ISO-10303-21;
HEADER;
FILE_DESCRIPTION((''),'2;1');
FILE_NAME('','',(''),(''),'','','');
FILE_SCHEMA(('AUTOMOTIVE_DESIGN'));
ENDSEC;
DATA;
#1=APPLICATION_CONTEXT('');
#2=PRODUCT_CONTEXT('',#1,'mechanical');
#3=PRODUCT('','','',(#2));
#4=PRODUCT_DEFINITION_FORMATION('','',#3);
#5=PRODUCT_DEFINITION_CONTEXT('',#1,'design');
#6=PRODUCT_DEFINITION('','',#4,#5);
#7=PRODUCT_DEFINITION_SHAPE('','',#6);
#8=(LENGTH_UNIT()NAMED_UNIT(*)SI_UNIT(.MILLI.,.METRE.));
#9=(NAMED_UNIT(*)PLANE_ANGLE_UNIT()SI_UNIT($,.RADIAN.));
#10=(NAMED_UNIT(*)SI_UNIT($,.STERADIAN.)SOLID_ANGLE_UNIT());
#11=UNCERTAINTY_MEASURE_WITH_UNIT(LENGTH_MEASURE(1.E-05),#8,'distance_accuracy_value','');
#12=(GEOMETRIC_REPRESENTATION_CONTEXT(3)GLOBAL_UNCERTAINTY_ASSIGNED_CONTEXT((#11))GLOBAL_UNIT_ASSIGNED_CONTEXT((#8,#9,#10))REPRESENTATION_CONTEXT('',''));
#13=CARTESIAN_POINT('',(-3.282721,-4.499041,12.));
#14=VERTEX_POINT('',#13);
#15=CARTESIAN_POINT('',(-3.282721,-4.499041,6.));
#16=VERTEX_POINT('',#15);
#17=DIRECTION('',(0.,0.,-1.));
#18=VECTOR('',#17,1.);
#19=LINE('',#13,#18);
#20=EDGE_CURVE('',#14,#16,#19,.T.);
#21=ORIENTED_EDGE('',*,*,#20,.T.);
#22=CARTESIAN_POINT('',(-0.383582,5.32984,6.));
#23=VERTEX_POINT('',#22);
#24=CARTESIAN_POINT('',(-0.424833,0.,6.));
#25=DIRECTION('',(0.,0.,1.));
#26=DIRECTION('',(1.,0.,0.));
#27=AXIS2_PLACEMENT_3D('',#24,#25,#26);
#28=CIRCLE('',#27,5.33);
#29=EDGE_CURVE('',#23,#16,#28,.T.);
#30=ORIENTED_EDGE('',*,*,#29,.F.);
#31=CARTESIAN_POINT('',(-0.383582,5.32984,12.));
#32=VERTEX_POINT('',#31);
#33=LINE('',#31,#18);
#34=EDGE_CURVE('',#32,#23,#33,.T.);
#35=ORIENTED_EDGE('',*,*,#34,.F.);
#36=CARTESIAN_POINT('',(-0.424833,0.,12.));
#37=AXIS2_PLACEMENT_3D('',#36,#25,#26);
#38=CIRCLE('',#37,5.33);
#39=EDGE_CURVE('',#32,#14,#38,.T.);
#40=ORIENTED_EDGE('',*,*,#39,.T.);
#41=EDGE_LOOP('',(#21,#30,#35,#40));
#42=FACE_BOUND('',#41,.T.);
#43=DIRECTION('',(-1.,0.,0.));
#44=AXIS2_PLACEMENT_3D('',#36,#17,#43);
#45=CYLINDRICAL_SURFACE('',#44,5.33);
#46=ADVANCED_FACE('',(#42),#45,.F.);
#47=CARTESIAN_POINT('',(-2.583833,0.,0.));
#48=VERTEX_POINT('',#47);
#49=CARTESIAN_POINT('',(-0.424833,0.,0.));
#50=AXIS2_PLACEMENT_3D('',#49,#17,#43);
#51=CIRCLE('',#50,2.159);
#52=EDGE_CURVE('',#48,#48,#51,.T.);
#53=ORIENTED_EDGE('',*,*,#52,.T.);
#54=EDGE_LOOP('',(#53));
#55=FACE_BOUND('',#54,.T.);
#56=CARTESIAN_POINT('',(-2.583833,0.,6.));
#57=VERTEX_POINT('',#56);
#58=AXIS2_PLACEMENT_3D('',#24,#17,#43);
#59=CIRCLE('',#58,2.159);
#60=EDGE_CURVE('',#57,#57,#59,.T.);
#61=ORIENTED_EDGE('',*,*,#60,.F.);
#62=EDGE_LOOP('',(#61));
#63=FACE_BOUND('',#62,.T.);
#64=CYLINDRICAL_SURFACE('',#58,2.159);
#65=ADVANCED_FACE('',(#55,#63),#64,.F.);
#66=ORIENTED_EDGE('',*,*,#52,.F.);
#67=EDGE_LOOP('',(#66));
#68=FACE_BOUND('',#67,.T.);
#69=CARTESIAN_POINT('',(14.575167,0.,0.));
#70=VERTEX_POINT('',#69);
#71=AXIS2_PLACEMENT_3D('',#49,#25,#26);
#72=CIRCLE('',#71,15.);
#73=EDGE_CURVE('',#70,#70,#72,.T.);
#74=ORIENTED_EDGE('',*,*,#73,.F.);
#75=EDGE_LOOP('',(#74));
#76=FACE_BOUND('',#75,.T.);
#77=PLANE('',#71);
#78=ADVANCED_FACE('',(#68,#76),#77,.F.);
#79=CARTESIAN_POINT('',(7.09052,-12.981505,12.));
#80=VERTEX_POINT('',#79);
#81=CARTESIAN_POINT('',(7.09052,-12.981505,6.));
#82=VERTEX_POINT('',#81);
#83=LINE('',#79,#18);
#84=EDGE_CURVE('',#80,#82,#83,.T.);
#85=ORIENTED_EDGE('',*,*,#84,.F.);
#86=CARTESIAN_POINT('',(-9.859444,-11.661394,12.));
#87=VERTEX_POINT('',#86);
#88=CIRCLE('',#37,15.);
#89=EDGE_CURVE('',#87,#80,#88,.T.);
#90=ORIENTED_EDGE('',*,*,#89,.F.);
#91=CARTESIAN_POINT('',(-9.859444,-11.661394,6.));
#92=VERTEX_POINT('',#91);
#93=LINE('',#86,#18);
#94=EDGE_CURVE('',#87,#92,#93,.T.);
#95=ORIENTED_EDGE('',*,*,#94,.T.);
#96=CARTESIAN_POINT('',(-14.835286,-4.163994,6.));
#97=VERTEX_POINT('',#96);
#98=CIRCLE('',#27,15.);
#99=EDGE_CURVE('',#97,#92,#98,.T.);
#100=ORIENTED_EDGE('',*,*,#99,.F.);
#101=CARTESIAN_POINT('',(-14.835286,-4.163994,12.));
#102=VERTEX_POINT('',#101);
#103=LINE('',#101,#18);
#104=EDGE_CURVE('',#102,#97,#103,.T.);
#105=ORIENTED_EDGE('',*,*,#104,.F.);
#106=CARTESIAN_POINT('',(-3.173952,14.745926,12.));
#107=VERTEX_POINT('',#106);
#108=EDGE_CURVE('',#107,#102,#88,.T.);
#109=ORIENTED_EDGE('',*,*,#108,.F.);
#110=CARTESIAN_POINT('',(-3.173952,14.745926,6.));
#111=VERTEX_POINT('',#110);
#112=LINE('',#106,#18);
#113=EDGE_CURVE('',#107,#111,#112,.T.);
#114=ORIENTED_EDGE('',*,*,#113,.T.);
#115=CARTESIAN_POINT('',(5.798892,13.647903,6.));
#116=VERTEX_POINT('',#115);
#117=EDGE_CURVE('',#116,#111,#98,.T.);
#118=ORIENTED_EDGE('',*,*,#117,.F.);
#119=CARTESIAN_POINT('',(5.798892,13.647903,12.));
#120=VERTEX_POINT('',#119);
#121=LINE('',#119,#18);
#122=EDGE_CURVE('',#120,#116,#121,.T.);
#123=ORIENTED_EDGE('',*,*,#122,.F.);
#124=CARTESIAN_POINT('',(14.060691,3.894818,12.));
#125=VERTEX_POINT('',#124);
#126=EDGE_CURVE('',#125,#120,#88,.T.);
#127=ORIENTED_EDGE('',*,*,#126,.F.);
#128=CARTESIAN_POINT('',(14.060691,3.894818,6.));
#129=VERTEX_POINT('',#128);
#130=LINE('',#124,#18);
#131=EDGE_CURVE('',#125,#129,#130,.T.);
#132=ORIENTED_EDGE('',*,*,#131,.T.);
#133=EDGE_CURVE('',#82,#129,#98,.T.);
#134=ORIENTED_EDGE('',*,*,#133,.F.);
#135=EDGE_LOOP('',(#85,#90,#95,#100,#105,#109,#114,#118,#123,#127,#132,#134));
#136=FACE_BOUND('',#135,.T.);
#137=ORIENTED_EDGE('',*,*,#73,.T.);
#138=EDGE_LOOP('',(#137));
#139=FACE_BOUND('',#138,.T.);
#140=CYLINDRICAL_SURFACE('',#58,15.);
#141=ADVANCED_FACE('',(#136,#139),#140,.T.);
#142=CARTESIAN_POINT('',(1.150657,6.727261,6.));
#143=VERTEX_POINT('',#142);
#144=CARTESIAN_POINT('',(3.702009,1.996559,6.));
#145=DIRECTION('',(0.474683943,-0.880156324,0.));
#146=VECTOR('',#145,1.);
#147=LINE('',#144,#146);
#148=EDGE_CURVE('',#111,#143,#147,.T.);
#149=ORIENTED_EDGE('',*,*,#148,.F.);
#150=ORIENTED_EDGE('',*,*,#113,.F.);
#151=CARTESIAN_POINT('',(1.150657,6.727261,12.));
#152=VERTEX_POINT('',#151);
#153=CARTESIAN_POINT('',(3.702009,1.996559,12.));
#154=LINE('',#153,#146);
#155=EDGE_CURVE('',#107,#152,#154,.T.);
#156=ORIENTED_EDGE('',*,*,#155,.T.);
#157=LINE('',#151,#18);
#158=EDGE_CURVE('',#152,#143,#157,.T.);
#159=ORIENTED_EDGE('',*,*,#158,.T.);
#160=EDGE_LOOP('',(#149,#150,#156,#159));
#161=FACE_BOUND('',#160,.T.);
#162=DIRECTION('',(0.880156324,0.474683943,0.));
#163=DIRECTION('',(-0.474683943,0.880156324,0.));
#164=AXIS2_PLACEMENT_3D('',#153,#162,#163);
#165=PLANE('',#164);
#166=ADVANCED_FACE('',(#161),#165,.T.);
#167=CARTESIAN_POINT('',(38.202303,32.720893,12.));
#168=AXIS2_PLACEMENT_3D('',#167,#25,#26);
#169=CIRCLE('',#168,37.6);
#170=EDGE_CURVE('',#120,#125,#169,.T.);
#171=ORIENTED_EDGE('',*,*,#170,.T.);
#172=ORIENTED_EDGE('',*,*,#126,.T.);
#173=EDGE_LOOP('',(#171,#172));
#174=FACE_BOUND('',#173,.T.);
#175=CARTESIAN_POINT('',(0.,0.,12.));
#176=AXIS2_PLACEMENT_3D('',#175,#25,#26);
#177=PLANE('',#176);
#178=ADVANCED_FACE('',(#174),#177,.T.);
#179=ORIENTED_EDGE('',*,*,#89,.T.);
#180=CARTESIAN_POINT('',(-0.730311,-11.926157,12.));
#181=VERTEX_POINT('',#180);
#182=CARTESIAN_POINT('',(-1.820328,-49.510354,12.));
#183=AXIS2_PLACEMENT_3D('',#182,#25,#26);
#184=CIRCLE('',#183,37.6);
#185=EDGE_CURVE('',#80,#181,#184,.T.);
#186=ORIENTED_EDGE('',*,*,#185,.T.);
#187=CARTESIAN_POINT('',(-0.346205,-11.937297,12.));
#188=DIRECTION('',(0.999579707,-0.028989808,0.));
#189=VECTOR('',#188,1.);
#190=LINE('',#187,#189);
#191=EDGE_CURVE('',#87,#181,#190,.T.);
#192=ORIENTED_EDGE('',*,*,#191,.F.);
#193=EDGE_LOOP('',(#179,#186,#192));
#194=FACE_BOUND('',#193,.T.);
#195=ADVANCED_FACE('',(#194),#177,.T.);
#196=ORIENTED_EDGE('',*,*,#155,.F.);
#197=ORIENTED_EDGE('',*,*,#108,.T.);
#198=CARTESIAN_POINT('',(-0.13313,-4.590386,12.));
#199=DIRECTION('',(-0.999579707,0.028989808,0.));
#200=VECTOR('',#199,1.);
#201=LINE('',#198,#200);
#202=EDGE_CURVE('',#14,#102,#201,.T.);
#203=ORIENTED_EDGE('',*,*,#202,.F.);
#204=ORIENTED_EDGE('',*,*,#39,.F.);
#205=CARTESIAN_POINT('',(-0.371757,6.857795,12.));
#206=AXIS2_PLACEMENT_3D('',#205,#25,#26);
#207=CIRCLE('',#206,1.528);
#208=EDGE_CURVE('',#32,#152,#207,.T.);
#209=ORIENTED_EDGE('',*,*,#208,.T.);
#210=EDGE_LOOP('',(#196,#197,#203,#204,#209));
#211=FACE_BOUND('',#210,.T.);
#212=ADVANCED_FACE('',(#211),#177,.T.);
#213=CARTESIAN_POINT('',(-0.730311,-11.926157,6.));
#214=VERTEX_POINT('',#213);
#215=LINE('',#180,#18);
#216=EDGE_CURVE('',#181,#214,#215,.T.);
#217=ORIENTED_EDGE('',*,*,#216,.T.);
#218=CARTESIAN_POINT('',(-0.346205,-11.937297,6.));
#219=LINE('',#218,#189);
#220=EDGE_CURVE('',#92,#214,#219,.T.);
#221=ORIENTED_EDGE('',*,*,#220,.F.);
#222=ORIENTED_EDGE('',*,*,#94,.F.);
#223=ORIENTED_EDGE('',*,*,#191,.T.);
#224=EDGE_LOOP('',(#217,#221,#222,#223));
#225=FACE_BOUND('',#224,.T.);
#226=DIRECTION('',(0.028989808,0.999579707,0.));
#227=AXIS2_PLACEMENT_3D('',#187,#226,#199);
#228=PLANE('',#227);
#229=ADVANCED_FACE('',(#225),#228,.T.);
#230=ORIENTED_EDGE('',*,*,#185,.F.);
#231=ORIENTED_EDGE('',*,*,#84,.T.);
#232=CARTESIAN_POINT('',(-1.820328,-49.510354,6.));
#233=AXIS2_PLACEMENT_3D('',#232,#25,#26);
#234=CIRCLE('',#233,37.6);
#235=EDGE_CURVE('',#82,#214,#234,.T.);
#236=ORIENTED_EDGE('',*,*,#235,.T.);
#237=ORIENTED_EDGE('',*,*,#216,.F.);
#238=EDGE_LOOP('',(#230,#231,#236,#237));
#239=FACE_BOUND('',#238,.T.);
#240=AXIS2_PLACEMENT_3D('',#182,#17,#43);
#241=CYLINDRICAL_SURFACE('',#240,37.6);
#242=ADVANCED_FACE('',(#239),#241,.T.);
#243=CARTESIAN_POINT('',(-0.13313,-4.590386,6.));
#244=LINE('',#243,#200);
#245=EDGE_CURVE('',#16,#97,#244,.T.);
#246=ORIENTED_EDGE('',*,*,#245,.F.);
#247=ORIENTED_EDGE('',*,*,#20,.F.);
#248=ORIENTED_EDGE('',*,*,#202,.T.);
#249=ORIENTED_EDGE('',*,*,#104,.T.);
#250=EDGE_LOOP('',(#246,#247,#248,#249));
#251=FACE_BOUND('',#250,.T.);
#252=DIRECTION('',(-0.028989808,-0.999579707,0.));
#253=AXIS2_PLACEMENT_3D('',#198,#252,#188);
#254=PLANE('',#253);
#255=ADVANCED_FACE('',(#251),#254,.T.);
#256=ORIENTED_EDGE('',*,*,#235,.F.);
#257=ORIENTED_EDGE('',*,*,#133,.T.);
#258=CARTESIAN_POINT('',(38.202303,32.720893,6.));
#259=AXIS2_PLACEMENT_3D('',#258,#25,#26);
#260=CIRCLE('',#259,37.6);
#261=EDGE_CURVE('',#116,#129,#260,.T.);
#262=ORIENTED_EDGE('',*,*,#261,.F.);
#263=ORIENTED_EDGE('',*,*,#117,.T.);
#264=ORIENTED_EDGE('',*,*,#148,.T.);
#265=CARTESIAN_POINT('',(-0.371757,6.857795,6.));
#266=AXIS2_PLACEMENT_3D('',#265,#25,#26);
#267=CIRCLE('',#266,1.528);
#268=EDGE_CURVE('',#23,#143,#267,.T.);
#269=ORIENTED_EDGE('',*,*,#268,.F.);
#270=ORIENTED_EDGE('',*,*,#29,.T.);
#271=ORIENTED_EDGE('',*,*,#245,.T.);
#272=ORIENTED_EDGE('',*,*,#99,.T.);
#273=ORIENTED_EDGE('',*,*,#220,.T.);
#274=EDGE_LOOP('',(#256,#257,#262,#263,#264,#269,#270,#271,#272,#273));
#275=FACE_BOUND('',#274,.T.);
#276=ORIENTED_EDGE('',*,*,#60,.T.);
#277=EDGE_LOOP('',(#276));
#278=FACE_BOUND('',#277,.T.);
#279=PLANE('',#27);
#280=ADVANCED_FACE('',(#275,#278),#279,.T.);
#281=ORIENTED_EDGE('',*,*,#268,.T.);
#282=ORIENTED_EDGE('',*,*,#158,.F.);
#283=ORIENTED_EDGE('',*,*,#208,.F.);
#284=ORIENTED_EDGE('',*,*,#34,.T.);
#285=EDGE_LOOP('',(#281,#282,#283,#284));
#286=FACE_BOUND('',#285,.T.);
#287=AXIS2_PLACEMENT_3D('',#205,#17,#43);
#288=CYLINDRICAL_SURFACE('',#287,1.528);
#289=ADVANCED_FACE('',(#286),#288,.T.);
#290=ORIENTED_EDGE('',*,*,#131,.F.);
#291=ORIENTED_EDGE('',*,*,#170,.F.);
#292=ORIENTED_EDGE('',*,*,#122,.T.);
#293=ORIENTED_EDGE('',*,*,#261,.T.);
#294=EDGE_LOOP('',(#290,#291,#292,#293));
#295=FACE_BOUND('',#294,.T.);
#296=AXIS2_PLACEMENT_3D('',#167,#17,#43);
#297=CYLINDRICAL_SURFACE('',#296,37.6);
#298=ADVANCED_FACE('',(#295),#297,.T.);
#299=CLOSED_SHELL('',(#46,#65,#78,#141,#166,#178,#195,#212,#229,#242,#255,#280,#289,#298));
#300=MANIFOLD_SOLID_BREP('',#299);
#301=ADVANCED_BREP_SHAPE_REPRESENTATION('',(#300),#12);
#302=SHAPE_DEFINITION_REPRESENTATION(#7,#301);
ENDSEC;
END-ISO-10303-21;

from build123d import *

# Parameters (mm, degrees)
CROQUIS2_R              = 15
SALIENTE_EXTRUIR1_DEPTH = 6
CROQUIS3_R              = 2.159
CORTAR_EXTRUIR1_DEPTH   = 6
SALIENTE_EXTRUIR2_DEPTH = 6


with BuildPart() as part:
    # Croquis2 → Saliente-Extruir1 (new body)
    with BuildSketch(Plane.XY):
        with Locations((-0.424832659, 0)):
            Circle(CROQUIS2_R)
    extrude(amount=SALIENTE_EXTRUIR1_DEPTH)

    # Croquis3 → Cortar-Extruir1 (cut)
    with BuildSketch(Plane(origin=(0, 0, 0), x_dir=(-1, 0, 0), z_dir=(0, 0, -1))):
        with Locations((0.424832659, 0)):
            Circle(CROQUIS3_R)
    extrude(amount=-CORTAR_EXTRUIR1_DEPTH, mode=Mode.SUBTRACT)

    # Croquis5 → Saliente-Extruir2 (add)
    with BuildSketch(Plane.XY.offset(6)):
        with BuildLine():
            Line((1.150657303, 6.727260511), (-3.173951667, 14.745926376))
            ThreePointArc((-3.173951667, 14.745926376), (-13.192330391, 7.873436458), (-14.835285649, -4.16399383))
            Line((-14.835285649, -4.16399383), (-3.282721328, -4.499041271))
            ThreePointArc((-3.282721328, -4.499041271), (-5.537081833, 1.507915241), (-0.38358243, 5.329840374))
            ThreePointArc((-0.38358243, 5.329840374), (0.657157734, 5.728140337), (1.150657303, 6.727260511))
        make_face()
        with BuildLine():
            ThreePointArc((14.060690832, 3.894818251), (11.020642477, 9.695416387), (5.798891595, 13.647903004))
            ThreePointArc((5.798891595, 13.647903004), (9.512311917, 8.417715579), (14.060690832, 3.894818251))
        make_face()
        with BuildLine():
            Line((-0.730311074, -11.926156717), (-9.859444413, -11.661393616))
            ThreePointArc((-9.859444413, -11.661393616), (-1.589548178, -14.954712895), (7.090520152, -12.981505003))
            ThreePointArc((7.090520152, -12.981505003), (3.207869051, -12.248077397), (-0.730311074, -11.926156717))
        make_face()
    extrude(amount=SALIENTE_EXTRUIR2_DEPTH)


solid = part.part
